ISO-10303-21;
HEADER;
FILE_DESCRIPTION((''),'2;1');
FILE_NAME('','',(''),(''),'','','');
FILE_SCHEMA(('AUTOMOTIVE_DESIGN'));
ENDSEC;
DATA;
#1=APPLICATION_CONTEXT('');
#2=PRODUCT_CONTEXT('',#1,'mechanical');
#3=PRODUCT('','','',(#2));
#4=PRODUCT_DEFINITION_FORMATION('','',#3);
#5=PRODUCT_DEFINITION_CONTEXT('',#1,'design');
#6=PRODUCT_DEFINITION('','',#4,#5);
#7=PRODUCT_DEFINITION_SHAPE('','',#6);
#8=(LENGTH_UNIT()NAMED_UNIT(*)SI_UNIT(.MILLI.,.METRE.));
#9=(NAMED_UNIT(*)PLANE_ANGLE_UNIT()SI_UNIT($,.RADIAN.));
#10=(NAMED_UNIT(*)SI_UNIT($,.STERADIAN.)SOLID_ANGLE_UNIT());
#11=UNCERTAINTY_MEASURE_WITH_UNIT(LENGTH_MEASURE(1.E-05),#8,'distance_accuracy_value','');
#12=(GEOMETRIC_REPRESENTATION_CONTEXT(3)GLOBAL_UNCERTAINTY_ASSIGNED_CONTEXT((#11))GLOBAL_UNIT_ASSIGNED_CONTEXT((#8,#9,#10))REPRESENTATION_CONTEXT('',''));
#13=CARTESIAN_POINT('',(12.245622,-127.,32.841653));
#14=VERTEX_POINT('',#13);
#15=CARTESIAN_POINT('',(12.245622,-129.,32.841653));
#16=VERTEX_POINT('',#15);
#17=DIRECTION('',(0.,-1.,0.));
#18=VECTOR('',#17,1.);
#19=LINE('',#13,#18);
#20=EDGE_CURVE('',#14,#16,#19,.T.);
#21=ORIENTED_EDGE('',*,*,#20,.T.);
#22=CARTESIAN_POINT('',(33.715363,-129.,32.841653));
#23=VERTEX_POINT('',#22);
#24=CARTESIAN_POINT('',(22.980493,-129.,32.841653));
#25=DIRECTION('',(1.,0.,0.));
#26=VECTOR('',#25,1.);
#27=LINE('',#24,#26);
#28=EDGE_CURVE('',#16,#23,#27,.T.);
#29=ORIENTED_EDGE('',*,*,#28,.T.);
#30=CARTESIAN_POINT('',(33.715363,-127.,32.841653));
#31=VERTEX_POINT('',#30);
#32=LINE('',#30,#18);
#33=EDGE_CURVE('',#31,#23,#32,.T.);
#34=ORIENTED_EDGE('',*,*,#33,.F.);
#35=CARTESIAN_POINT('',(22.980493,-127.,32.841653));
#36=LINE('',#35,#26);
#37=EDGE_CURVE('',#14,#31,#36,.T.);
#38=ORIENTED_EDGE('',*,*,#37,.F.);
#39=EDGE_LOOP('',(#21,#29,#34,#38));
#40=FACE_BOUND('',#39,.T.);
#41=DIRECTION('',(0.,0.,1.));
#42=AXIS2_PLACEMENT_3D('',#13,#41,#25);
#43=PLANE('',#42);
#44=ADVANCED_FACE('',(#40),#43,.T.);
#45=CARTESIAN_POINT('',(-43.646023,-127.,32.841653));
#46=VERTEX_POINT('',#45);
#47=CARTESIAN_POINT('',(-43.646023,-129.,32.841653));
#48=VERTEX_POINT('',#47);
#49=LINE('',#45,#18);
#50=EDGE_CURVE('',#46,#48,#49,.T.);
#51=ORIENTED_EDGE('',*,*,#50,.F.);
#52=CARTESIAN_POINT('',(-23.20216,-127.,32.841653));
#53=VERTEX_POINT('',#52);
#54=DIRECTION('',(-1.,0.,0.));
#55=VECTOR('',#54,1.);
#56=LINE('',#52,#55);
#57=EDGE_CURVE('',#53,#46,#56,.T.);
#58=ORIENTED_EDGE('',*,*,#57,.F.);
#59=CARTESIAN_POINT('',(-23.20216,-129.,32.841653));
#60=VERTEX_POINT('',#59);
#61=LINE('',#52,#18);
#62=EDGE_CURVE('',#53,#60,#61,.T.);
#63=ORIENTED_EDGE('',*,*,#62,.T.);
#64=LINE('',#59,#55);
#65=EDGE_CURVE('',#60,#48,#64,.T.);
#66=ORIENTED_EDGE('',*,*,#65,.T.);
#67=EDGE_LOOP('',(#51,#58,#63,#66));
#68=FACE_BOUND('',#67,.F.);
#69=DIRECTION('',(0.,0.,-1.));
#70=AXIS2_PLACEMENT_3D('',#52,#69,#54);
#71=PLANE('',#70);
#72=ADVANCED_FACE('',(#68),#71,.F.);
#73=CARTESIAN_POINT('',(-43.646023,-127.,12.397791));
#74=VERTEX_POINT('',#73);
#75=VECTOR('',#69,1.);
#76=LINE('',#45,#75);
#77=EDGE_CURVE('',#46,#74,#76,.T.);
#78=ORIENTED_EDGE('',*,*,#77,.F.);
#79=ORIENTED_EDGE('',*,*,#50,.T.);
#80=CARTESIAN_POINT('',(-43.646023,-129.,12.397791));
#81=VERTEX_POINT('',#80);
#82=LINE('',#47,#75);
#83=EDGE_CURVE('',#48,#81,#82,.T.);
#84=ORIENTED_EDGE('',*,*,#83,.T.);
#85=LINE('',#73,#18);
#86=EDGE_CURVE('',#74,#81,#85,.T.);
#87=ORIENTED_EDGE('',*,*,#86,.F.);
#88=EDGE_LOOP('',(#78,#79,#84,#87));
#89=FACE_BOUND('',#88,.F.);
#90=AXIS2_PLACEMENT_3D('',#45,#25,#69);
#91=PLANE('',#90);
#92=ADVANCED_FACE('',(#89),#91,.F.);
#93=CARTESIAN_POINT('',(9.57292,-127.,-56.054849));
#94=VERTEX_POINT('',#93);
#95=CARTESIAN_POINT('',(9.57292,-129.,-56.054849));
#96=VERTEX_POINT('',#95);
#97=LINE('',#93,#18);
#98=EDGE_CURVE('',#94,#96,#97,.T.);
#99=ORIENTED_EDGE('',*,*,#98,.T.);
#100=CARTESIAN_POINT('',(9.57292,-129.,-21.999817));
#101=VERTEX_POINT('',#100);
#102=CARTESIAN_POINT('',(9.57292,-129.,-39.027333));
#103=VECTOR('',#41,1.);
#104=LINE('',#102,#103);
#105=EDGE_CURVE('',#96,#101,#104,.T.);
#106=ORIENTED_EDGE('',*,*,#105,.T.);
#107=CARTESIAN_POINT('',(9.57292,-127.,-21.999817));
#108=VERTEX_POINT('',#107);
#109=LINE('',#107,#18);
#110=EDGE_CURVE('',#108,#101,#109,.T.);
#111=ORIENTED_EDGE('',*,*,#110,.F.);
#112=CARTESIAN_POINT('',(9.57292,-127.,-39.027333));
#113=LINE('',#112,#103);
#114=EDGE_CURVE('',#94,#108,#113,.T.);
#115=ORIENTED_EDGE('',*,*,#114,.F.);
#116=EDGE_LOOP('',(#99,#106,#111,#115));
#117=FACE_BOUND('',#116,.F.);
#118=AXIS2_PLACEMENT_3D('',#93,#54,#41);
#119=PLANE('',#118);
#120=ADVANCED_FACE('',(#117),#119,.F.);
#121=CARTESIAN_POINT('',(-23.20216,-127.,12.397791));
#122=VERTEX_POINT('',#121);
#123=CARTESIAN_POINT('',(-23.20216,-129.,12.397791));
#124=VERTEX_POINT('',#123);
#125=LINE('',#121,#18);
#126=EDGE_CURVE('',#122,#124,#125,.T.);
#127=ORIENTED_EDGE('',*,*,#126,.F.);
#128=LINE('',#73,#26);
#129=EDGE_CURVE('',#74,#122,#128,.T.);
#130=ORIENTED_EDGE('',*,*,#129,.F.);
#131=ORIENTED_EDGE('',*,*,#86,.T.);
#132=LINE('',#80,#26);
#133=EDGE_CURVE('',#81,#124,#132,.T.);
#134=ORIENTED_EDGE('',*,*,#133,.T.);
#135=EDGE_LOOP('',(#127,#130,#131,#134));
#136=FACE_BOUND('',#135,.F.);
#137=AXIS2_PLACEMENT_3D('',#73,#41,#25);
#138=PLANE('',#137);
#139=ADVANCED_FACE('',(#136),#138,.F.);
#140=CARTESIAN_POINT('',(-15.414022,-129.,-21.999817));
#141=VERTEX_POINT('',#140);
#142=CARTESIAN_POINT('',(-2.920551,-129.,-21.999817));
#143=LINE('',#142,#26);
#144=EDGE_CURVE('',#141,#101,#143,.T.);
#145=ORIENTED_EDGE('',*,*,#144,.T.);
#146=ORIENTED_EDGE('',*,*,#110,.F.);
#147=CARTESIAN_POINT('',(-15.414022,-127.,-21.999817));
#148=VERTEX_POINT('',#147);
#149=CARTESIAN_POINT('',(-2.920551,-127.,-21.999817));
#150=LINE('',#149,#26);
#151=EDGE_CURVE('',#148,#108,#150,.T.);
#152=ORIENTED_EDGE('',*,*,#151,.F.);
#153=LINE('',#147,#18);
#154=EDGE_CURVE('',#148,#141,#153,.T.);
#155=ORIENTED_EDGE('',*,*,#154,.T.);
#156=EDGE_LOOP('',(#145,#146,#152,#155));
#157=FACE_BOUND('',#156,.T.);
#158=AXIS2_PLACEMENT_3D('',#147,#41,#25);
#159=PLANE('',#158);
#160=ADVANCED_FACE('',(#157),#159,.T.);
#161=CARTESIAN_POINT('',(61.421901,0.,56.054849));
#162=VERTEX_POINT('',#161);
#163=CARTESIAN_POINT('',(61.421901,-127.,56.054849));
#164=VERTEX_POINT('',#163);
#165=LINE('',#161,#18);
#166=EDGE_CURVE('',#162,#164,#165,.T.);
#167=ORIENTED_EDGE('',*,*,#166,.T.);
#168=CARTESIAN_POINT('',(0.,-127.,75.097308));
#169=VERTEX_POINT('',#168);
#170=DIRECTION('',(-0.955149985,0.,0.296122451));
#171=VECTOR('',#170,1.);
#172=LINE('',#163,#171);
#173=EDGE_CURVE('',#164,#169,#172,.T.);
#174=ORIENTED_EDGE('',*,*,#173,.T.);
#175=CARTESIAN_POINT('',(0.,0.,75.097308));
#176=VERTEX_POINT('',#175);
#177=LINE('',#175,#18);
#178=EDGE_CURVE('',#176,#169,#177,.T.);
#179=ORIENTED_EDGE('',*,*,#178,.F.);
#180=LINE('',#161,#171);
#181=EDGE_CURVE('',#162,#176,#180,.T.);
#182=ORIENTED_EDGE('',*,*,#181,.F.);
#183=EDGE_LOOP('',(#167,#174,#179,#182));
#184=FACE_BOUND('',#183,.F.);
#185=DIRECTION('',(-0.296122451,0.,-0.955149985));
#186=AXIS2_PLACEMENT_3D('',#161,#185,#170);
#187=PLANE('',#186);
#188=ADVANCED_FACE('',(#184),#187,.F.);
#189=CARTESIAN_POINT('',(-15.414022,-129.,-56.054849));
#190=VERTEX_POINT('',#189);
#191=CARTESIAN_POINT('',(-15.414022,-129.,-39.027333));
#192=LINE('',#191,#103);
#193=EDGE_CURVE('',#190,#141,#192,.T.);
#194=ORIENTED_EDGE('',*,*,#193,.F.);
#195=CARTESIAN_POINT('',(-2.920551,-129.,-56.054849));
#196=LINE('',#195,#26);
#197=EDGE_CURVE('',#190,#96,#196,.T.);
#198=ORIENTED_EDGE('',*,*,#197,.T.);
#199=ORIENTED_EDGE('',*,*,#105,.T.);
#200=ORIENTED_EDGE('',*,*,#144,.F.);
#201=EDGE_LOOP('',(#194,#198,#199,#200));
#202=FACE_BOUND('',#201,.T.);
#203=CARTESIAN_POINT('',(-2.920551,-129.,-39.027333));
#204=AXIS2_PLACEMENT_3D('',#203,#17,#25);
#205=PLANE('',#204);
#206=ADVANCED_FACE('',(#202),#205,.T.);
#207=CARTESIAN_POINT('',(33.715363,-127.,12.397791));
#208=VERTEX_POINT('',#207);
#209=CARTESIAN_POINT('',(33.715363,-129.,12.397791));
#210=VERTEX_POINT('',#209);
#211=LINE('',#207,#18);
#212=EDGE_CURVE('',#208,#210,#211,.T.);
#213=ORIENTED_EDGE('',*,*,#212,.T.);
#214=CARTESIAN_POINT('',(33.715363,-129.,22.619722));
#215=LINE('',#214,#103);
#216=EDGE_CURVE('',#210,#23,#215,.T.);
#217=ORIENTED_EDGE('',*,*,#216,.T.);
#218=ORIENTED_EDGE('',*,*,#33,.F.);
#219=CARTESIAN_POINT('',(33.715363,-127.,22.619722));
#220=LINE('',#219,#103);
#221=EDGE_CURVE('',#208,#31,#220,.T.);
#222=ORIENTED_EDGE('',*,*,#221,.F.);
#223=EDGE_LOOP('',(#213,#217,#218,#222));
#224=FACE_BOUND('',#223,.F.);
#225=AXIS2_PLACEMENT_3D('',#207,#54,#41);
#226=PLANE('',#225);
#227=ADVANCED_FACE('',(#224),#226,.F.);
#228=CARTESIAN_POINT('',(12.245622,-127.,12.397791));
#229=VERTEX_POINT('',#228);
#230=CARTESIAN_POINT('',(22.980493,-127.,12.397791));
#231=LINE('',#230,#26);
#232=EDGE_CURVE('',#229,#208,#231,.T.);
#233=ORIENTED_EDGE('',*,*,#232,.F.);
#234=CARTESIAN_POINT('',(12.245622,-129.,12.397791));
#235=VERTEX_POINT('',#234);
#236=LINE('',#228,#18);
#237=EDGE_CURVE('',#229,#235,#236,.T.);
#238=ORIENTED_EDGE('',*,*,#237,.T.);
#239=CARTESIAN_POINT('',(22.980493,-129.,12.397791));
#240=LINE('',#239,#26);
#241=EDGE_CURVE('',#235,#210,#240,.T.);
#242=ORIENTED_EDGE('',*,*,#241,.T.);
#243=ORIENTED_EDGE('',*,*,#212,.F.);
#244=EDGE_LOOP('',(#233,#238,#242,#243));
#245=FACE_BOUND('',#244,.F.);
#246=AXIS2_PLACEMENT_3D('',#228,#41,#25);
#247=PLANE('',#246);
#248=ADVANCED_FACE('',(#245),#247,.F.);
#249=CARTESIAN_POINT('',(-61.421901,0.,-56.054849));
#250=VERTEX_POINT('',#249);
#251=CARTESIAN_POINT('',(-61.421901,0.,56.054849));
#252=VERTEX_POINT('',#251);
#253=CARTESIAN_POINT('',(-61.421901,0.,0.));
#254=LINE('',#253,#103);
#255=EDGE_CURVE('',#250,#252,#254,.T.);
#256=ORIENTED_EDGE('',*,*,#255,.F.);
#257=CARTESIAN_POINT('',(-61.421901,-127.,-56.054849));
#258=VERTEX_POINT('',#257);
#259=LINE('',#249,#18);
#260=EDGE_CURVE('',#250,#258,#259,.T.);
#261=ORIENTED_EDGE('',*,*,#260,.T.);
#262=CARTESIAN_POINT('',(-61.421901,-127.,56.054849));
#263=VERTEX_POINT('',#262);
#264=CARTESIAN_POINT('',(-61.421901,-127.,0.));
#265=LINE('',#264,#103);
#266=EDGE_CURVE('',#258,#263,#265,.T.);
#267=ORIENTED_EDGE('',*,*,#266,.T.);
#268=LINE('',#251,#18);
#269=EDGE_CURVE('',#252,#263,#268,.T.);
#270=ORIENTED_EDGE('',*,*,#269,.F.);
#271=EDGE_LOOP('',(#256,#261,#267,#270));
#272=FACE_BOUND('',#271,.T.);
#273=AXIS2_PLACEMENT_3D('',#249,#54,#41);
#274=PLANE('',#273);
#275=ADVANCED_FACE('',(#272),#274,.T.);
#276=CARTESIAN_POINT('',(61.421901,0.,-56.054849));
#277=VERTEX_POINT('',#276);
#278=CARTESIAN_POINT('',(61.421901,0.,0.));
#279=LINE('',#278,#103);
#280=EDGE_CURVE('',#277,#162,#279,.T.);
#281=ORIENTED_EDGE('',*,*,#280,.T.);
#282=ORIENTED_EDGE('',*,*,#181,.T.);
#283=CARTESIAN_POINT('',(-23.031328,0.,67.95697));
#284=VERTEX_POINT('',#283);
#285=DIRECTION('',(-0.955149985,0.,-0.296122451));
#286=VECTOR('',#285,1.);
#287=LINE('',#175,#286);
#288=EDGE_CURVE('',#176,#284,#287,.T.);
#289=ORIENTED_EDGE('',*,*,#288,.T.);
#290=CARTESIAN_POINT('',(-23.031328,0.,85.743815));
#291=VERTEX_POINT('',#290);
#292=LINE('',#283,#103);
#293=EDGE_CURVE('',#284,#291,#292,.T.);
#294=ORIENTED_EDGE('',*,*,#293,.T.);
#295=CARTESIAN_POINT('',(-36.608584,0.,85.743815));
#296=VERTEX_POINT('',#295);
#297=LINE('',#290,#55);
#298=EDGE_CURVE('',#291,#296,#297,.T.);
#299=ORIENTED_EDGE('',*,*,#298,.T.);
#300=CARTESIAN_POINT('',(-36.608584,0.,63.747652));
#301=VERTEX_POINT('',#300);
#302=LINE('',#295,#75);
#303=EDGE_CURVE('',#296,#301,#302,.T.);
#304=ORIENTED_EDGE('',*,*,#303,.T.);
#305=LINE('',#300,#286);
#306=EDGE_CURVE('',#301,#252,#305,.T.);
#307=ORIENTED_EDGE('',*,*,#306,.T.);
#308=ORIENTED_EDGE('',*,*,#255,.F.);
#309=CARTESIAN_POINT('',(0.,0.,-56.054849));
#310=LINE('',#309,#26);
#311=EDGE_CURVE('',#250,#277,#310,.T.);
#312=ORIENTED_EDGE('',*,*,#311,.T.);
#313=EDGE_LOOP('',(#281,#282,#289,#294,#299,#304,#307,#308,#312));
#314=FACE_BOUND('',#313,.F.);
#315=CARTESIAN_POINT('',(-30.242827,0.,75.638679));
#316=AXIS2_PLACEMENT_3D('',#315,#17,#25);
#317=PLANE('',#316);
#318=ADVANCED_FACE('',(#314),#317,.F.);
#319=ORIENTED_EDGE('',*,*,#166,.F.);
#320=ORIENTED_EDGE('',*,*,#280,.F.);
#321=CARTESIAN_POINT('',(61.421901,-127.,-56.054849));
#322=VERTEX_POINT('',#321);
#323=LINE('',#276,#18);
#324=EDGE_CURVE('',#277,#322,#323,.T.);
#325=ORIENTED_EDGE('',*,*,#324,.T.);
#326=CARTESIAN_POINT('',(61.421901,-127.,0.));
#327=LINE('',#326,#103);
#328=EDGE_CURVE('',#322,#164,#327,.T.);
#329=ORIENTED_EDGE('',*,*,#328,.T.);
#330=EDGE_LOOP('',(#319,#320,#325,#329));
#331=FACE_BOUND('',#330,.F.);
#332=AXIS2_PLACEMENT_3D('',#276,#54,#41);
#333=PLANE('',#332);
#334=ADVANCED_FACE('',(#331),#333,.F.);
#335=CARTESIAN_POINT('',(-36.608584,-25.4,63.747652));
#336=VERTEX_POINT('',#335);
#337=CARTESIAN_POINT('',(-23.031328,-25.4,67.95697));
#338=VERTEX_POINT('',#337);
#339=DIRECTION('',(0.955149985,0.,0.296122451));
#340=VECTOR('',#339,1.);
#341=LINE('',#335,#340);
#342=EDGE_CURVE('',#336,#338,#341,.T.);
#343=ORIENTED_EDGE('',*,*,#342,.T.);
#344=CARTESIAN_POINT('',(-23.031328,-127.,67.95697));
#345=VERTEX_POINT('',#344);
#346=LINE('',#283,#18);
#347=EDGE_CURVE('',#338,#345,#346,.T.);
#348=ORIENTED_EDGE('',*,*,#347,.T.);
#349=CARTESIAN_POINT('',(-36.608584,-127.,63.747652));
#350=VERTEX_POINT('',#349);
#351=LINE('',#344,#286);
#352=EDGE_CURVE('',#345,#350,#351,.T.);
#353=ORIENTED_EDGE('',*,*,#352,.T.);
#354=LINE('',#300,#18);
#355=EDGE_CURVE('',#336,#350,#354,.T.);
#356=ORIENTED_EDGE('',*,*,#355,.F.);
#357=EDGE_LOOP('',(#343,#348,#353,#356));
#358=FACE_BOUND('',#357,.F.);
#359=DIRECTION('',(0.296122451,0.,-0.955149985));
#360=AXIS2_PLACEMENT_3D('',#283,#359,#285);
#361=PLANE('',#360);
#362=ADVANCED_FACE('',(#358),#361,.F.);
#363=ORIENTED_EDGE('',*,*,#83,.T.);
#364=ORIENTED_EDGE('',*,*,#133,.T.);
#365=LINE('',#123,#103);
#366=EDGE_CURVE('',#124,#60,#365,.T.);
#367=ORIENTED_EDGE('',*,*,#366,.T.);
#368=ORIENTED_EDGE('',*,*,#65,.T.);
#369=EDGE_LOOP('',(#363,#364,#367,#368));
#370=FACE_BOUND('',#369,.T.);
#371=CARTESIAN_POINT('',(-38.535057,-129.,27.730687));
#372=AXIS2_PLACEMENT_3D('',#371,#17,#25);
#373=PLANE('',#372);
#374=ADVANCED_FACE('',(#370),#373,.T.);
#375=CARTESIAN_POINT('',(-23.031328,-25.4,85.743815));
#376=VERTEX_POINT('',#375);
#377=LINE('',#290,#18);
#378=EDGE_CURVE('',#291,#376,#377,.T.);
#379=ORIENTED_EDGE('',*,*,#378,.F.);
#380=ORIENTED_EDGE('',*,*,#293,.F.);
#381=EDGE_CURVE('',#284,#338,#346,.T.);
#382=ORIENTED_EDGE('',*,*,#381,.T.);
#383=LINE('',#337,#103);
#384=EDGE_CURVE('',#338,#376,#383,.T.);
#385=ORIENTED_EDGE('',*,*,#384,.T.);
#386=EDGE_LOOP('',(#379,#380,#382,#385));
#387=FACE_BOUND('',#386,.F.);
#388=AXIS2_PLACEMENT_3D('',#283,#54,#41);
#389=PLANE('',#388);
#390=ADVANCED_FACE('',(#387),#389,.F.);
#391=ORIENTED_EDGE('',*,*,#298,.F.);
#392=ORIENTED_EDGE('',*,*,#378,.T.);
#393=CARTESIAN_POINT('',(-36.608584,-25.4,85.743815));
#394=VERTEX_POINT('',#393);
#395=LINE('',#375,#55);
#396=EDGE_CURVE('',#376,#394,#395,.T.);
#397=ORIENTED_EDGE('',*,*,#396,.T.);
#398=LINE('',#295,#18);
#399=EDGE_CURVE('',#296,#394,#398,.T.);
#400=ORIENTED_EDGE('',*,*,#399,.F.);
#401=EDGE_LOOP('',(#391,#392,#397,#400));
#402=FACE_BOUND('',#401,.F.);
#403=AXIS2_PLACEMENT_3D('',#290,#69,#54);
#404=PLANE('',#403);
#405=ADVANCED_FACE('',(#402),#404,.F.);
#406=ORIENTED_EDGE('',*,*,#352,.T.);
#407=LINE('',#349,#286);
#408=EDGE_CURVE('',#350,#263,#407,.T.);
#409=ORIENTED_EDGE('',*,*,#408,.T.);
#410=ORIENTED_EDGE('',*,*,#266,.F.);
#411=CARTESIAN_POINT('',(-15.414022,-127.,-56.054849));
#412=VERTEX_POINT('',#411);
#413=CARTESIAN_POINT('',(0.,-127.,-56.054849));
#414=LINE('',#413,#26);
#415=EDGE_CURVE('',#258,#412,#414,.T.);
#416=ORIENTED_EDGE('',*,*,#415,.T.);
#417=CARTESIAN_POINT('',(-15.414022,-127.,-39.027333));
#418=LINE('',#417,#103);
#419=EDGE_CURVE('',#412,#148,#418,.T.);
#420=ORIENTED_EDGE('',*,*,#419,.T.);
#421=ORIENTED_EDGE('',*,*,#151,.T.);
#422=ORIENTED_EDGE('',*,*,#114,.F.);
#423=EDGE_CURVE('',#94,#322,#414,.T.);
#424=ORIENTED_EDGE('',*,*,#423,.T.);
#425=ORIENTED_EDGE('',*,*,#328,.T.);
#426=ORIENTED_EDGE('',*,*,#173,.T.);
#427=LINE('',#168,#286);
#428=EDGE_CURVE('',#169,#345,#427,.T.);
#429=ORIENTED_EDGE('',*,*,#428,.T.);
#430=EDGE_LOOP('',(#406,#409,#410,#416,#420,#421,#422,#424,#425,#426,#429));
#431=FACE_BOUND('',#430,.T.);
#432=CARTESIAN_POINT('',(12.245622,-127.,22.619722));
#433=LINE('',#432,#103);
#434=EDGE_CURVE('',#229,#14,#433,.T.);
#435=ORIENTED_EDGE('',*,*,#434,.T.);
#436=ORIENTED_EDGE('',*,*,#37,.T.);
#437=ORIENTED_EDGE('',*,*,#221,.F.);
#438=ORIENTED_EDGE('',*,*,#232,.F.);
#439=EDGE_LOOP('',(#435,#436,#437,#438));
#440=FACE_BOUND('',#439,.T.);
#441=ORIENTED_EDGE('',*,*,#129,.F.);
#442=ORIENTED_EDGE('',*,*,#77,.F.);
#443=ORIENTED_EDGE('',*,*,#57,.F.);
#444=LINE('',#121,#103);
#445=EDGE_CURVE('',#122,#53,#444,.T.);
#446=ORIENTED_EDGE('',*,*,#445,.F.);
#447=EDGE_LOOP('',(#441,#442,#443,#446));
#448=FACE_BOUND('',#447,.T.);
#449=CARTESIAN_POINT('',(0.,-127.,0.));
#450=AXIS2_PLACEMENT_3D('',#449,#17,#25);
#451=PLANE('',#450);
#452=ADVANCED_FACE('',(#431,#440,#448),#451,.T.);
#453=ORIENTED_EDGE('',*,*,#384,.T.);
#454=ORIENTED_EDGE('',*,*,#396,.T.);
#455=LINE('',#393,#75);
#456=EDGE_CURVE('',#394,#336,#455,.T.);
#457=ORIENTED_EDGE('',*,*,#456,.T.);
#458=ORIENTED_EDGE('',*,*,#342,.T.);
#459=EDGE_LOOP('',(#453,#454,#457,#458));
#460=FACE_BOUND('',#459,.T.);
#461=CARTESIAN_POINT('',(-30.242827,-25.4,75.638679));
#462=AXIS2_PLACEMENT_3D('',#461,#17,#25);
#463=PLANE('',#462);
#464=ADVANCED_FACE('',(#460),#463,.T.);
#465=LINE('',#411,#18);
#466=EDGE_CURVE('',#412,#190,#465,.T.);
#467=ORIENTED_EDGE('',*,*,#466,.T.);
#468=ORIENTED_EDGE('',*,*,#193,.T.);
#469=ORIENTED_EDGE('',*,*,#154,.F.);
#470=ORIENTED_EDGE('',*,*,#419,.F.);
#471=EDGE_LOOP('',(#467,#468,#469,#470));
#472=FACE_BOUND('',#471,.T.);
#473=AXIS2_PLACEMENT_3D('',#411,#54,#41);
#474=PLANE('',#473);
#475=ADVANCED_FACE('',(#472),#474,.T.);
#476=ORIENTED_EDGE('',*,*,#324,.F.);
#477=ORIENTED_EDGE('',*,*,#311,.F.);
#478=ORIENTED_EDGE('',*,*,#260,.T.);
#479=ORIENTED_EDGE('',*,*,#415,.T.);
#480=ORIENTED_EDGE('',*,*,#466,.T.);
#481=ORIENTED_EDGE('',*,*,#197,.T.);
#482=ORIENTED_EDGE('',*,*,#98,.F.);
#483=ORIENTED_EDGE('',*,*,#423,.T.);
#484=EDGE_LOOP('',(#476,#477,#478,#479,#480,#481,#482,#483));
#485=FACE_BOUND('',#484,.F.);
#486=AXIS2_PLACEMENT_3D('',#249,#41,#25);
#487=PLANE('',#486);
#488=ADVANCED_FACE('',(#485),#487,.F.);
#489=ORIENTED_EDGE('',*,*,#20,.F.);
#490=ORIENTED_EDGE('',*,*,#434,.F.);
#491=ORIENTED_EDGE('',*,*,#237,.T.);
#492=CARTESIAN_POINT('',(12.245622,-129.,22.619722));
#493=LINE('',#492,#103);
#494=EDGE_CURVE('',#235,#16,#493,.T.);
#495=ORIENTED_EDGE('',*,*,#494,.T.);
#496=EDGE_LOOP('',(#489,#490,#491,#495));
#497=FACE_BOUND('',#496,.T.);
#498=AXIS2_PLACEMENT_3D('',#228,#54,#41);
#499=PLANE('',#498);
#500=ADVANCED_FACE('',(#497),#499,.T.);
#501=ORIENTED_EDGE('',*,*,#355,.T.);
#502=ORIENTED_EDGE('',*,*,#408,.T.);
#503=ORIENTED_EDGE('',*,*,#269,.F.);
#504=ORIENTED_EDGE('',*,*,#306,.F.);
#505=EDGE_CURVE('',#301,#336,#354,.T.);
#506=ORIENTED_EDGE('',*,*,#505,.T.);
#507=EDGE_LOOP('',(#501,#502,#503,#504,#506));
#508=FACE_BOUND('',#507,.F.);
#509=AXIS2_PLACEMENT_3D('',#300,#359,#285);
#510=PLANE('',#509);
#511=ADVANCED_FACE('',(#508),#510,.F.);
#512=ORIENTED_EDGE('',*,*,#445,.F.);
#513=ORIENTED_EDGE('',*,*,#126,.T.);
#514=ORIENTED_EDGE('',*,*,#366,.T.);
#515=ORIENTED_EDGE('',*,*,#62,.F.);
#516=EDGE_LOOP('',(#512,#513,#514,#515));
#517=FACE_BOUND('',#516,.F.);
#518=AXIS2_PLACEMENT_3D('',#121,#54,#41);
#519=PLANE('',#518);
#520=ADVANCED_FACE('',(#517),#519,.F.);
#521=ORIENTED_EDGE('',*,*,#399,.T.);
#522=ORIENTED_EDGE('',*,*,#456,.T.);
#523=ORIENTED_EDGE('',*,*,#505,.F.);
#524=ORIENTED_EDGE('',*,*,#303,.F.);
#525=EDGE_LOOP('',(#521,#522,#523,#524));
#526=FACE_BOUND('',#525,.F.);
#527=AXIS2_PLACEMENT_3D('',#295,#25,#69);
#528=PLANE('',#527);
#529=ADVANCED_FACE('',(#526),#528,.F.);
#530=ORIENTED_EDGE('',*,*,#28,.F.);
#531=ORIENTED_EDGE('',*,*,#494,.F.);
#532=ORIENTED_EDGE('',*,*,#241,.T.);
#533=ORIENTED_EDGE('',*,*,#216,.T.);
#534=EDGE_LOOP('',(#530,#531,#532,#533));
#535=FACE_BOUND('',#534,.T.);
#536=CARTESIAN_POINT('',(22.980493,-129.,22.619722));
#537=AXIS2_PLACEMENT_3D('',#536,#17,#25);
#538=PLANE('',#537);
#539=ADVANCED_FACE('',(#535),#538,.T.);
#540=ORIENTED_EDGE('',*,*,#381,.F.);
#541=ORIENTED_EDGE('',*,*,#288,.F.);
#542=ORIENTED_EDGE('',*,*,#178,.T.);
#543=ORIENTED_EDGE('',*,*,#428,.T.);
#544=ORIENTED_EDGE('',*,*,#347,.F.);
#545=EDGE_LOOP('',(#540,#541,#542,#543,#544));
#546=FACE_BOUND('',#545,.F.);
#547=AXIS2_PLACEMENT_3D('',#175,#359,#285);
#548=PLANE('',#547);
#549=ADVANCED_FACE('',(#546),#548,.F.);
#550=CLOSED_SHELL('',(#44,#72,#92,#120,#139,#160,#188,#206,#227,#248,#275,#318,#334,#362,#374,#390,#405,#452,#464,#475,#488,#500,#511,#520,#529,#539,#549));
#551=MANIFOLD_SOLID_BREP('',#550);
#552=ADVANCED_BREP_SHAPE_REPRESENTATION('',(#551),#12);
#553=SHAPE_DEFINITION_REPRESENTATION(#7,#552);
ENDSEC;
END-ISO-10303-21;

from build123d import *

# Parameters (mm, degrees)
F0_W     = 122.8438019753
F0_H     = 112.1096983552
F1_DEPTH = 127
F2_DEPTH = 25.4
F3_W     = 24.9869422987
F3_H     = 34.055031836
F4_DEPTH = 2
F5_W     = 10.221931152
F5_H     = 10.2219306864
F5_W_2   = 21.4697401971
F5_H_2   = 20.4438613728
F6_DEPTH = 2


with BuildPart() as f1:
    # F0 (on Front) → F1 (new body)
    with BuildSketch(Plane.XZ):
        Rectangle(F0_W, F0_H)
        Polygon((-61.4219009876, 56.0548491776), (61.4219009876, 56.0548491776), (0, 75.0973075628), (-23.0313282844, 67.9569699412), (-36.6085842252, 63.7476516512), align=None)
    extrude(amount=F1_DEPTH)

    # F0 (on Front) → F2 (join)
    with BuildSketch(Plane.XZ):
        Polygon((-36.6085842252, 85.7438147068), (-36.6085842252, 63.7476516512), (-23.0313282844, 67.9569699412), (-23.0313282844, 85.7438147068), align=None)
    extrude(amount=F2_DEPTH)

    # F3 (on face) → F4 (join)
    with BuildSketch(Plane.XZ.offset(127)):
        with Locations((-2.9205507599, -39.0273332596)):
            Rectangle(F3_W, F3_H)
    extrude(amount=F4_DEPTH)

    # F5 (on face) → F6 (join)
    with BuildSketch(Plane.XZ.offset(127)):
        with Locations((-38.5350571014, 27.7306872886)):
            Rectangle(F5_W, F5_H)
        with Locations((-28.3131259494, 27.7306872886)):
            Rectangle(F5_W, F5_H)
        with Locations((-38.5350571014, 17.5087566022)):
            Rectangle(F5_W, F5_H)
        with Locations((-28.3131259494, 17.5087566022)):
            Rectangle(F5_W, F5_H)
        with Locations((22.9804925621, 22.6197219454)):
            Rectangle(F5_W_2, F5_H_2)
    extrude(amount=F6_DEPTH)


solid = f1.part
